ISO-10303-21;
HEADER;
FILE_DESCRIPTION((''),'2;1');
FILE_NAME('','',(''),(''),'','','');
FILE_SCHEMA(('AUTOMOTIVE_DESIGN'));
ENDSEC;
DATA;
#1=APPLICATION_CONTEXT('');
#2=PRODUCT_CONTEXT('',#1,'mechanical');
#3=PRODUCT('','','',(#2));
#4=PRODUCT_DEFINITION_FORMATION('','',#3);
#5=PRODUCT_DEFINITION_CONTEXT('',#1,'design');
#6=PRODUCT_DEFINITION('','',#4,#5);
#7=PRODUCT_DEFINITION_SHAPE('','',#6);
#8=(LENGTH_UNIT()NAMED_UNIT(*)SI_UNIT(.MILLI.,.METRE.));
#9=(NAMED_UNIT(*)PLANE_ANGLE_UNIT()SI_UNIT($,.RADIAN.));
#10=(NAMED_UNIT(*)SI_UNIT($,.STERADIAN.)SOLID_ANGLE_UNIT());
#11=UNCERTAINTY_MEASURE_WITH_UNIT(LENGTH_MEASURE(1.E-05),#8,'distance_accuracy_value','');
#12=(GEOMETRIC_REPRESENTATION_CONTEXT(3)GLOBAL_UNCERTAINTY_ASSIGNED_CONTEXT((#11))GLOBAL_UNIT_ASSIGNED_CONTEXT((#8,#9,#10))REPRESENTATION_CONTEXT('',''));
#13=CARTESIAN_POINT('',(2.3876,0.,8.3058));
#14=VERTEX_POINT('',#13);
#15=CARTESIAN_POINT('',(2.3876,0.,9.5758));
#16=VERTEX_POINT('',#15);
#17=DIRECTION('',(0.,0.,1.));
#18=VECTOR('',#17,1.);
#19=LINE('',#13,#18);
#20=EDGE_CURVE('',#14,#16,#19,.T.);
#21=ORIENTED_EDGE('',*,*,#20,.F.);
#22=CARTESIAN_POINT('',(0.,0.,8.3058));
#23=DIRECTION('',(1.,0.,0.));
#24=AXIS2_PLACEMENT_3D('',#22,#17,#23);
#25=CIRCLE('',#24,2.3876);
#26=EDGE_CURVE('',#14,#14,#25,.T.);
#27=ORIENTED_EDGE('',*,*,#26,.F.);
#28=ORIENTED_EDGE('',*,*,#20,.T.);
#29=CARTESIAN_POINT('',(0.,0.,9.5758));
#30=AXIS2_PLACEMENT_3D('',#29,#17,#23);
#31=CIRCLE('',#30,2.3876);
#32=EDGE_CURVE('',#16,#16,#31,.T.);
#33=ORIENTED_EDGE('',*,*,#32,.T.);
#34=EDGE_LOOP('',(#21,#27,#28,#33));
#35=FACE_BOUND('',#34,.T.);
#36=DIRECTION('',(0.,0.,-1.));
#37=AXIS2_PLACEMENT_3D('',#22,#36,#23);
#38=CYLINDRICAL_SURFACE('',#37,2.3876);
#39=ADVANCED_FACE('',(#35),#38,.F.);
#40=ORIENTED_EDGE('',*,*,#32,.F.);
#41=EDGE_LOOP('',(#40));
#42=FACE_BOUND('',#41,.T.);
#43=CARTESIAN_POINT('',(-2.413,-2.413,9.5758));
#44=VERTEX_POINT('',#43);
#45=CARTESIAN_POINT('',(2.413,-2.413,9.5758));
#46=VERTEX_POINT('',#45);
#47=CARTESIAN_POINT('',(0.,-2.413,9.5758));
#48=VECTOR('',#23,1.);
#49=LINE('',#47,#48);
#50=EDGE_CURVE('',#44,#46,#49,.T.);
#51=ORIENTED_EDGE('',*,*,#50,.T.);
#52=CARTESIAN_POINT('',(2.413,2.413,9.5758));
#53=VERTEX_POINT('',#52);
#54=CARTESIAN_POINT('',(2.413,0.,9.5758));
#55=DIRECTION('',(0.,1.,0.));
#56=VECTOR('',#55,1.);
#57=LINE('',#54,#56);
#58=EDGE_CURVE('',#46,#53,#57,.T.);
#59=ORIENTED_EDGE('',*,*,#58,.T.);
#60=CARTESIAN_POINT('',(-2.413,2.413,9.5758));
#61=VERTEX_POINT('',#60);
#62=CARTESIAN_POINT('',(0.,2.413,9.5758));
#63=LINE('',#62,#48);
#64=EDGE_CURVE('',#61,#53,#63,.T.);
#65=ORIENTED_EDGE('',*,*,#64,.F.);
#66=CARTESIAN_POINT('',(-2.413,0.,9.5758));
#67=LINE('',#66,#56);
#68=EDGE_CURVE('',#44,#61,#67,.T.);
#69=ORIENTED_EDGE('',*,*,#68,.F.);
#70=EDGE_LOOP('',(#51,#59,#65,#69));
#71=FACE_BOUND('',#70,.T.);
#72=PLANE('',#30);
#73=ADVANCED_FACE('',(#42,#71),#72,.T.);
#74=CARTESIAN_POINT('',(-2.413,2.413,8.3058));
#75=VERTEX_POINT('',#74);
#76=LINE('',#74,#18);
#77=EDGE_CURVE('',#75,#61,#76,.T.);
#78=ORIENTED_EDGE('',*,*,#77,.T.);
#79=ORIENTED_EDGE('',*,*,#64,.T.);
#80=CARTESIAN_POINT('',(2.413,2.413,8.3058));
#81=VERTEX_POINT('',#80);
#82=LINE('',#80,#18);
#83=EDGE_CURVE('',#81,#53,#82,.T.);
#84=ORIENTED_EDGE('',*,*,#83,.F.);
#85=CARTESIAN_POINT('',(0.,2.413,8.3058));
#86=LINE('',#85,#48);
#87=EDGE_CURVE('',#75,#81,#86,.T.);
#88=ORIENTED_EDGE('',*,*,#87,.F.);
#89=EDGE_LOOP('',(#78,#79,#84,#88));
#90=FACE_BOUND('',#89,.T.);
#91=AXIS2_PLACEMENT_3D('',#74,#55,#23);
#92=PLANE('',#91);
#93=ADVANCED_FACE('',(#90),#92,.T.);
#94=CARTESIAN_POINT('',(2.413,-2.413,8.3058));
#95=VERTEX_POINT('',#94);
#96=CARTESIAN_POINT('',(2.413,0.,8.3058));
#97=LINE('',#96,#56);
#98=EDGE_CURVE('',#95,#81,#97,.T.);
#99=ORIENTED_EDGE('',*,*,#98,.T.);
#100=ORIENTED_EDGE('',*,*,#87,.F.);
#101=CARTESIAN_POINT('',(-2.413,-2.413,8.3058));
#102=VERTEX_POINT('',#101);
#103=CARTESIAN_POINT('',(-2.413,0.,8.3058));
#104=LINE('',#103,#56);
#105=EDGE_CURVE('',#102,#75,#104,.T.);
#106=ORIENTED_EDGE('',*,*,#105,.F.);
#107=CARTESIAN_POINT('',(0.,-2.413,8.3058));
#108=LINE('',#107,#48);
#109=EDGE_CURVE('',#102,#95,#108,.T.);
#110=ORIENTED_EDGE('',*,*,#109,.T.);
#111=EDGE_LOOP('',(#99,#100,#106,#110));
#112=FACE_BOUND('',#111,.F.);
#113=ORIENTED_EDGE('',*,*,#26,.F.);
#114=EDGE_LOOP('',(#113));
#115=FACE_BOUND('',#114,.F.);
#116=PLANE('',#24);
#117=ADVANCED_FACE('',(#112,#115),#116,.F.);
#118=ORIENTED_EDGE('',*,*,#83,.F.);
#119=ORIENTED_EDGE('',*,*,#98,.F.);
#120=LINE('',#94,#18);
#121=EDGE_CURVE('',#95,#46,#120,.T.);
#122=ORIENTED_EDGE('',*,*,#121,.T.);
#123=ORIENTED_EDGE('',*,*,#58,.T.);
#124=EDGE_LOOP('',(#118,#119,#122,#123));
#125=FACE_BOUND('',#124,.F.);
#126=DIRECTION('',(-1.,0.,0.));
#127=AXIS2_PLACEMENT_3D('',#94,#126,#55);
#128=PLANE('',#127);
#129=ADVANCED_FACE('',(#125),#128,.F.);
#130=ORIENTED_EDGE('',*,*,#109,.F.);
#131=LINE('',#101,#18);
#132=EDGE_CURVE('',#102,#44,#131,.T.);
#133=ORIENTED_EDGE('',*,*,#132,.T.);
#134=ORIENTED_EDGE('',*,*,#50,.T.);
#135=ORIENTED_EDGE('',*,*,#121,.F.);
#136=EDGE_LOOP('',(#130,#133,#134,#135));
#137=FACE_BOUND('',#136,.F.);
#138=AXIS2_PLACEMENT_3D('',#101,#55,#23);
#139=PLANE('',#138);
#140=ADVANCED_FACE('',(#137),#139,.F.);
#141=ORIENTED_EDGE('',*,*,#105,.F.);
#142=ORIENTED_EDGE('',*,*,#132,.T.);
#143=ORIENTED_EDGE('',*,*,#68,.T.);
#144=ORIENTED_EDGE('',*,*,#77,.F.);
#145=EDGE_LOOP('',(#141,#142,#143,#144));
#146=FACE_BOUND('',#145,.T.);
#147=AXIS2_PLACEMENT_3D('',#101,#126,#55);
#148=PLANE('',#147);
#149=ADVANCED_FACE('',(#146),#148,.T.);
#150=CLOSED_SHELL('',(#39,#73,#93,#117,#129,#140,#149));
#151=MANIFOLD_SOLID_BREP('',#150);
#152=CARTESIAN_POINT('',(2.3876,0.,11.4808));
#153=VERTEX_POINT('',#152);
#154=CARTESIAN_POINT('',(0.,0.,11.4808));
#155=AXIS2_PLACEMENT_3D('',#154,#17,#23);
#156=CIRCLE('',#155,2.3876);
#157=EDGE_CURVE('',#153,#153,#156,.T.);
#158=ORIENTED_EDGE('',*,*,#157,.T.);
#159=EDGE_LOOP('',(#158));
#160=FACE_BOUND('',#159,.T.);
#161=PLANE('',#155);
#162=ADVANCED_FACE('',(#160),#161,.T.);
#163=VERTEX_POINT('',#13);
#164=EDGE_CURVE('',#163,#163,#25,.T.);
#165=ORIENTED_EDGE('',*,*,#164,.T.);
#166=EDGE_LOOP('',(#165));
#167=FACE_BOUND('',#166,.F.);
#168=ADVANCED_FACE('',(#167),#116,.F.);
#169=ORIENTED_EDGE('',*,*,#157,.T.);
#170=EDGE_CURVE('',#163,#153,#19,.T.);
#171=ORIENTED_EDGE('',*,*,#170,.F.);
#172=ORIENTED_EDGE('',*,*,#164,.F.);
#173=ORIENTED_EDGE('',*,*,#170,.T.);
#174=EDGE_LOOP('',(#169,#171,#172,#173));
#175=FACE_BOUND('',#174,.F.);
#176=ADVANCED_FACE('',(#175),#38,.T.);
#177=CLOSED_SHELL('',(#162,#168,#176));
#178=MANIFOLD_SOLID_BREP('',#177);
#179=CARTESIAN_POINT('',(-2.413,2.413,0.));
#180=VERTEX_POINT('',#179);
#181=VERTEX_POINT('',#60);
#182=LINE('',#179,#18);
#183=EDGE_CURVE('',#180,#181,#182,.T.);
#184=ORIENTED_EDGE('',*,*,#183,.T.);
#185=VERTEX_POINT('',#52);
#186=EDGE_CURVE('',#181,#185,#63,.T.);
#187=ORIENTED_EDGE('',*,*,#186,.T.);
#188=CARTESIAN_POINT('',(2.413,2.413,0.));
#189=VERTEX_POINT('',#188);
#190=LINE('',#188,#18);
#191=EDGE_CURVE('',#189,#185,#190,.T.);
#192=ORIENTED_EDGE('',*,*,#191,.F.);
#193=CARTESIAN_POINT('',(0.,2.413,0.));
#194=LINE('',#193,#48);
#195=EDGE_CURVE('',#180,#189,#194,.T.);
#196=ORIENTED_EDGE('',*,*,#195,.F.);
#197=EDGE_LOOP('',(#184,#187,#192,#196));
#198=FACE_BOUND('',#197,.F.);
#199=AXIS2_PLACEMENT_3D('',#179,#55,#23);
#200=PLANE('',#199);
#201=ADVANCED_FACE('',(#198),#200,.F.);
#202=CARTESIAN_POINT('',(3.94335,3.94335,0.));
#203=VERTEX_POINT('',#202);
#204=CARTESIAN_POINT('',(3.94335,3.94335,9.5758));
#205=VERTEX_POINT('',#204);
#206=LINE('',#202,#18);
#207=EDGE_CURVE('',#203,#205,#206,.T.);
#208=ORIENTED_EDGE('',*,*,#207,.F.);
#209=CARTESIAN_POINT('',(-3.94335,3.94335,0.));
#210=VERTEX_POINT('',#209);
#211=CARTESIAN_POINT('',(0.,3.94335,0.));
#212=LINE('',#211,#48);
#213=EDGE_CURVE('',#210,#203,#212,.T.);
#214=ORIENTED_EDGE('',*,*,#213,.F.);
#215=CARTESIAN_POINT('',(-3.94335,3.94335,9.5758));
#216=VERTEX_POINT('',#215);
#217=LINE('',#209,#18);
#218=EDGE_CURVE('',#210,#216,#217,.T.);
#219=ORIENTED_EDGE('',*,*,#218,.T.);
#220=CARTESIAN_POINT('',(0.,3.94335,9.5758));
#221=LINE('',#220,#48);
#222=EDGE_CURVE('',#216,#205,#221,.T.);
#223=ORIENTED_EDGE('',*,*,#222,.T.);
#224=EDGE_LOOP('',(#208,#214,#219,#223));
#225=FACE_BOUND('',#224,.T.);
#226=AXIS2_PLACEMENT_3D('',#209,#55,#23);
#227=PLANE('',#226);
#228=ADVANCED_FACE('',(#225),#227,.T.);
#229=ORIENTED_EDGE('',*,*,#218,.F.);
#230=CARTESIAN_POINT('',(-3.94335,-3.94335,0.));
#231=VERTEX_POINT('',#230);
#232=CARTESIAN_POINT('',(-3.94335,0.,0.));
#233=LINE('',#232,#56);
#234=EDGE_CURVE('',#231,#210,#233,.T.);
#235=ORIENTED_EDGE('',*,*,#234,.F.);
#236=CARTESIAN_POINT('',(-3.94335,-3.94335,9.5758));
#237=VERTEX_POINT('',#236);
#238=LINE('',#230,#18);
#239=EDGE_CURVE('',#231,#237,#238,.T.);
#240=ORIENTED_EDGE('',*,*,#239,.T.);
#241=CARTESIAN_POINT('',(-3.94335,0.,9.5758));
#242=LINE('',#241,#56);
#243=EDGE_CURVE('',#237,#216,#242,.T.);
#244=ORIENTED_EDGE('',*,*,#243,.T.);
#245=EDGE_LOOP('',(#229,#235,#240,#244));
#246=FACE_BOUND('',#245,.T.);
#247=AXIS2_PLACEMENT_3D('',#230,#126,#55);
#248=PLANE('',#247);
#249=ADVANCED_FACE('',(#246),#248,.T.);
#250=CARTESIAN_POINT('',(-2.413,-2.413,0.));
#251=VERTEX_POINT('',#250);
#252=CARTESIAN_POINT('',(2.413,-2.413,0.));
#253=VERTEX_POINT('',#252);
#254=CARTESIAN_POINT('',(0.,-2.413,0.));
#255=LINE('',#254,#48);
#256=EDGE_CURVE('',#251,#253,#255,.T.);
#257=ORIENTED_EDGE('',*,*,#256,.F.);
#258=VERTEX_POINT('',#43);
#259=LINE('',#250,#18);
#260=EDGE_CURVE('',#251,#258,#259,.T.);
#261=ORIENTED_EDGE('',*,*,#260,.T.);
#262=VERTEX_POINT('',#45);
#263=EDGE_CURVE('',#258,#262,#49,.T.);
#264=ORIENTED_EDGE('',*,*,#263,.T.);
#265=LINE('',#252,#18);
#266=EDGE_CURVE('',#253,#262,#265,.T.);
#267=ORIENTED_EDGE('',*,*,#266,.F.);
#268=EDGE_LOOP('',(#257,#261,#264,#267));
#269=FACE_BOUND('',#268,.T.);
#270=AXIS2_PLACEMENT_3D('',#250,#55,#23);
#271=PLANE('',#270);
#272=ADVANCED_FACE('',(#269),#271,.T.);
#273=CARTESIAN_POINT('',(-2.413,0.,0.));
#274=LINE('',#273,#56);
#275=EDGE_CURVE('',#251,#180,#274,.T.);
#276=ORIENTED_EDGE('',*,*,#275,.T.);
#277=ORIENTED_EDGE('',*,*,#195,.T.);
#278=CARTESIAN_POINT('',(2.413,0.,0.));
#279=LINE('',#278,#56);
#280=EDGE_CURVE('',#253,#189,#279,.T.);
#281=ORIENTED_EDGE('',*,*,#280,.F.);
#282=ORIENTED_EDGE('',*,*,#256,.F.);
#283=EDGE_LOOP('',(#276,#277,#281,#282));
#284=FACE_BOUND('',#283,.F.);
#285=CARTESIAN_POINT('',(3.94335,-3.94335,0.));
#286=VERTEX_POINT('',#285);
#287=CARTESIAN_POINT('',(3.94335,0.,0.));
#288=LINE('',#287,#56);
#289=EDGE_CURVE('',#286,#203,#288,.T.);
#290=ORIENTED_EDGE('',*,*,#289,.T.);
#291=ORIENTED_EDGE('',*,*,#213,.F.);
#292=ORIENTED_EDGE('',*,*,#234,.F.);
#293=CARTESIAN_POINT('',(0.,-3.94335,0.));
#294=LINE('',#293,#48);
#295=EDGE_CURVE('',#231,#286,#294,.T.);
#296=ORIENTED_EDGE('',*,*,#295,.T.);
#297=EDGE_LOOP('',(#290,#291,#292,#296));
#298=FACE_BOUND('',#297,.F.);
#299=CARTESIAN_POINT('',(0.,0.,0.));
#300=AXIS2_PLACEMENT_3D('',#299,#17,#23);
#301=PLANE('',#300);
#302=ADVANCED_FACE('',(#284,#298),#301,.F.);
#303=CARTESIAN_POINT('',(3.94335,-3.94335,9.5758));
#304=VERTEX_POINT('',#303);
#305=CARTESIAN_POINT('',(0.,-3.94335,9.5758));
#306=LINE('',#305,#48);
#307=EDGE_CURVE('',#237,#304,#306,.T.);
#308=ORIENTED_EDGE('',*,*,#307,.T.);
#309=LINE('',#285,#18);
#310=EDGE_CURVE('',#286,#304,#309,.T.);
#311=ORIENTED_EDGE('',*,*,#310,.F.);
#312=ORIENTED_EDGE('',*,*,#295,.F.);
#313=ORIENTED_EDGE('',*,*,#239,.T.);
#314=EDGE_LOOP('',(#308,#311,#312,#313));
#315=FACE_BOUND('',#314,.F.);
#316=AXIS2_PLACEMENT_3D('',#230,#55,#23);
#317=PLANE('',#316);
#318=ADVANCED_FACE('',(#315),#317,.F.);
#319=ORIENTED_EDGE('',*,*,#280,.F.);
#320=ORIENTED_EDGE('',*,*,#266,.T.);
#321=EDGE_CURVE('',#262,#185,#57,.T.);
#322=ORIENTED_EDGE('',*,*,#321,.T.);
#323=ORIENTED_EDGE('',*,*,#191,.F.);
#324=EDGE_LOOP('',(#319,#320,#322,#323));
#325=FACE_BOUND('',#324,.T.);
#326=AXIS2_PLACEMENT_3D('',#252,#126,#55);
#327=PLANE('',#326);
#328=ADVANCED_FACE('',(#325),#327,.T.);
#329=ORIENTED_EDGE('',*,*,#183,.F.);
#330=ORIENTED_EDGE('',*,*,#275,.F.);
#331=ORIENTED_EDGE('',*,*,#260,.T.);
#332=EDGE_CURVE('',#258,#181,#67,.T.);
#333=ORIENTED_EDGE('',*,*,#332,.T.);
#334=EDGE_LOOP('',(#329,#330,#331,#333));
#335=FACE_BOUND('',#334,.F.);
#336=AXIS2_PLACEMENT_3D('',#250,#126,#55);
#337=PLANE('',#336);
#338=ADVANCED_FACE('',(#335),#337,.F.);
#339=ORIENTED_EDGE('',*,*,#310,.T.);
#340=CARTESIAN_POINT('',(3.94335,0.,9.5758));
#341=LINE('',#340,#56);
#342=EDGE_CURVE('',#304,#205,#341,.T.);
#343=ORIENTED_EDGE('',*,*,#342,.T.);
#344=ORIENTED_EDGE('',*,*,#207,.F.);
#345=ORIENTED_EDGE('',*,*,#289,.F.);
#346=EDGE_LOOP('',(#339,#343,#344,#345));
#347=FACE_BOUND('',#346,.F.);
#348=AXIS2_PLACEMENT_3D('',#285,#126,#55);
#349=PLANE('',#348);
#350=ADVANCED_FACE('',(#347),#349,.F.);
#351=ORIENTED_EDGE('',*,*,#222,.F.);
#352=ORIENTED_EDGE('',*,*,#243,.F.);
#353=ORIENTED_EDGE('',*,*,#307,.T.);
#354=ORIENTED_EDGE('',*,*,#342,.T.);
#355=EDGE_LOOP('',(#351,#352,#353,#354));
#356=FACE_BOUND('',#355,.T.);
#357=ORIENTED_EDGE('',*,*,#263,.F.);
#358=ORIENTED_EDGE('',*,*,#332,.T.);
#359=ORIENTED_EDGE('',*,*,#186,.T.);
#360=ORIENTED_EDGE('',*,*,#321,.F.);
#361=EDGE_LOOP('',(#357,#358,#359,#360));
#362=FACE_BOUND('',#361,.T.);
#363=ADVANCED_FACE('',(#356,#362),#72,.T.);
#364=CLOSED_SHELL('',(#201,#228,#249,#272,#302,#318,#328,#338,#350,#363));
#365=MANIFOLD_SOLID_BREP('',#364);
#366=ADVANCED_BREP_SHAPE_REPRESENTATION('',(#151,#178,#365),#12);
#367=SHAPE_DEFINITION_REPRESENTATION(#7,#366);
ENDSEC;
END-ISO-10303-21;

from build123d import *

# Parameters (mm, degrees)
F0_W     = 7.8867
F0_H     = 7.8867
F0_W_2   = 4.826
F0_H_2   = 4.826
F1_DEPTH = 9.5758
F2_START = 8.3058
F0_R     = 2.3876
F2_DEPTH = 1.27
F3_START = 8.3058
F3_DEPTH = 3.175


with BuildPart() as f1:
    # F0 (on Top) → F1 (new body)
    with BuildSketch(Plane.XY):
        Rectangle(F0_W, F0_H)
        Rectangle(F0_W_2, F0_H_2, mode=Mode.SUBTRACT)
    extrude(amount=F1_DEPTH)


with BuildPart() as f2:
    # F0 (on Top) → F2 (new body)
    with BuildSketch(Plane.XY.offset(F2_START)):
        Rectangle(F0_W_2, F0_H_2)
        Circle(F0_R, mode=Mode.SUBTRACT)
    extrude(amount=F2_DEPTH)


with BuildPart() as f3:
    # F0 (on Top) → F3 (new body)
    with BuildSketch(Plane.XY.offset(F3_START)):
        Circle(F0_R)
    extrude(amount=F3_DEPTH)


solid = Compound([f1.part, f2.part, f3.part])
